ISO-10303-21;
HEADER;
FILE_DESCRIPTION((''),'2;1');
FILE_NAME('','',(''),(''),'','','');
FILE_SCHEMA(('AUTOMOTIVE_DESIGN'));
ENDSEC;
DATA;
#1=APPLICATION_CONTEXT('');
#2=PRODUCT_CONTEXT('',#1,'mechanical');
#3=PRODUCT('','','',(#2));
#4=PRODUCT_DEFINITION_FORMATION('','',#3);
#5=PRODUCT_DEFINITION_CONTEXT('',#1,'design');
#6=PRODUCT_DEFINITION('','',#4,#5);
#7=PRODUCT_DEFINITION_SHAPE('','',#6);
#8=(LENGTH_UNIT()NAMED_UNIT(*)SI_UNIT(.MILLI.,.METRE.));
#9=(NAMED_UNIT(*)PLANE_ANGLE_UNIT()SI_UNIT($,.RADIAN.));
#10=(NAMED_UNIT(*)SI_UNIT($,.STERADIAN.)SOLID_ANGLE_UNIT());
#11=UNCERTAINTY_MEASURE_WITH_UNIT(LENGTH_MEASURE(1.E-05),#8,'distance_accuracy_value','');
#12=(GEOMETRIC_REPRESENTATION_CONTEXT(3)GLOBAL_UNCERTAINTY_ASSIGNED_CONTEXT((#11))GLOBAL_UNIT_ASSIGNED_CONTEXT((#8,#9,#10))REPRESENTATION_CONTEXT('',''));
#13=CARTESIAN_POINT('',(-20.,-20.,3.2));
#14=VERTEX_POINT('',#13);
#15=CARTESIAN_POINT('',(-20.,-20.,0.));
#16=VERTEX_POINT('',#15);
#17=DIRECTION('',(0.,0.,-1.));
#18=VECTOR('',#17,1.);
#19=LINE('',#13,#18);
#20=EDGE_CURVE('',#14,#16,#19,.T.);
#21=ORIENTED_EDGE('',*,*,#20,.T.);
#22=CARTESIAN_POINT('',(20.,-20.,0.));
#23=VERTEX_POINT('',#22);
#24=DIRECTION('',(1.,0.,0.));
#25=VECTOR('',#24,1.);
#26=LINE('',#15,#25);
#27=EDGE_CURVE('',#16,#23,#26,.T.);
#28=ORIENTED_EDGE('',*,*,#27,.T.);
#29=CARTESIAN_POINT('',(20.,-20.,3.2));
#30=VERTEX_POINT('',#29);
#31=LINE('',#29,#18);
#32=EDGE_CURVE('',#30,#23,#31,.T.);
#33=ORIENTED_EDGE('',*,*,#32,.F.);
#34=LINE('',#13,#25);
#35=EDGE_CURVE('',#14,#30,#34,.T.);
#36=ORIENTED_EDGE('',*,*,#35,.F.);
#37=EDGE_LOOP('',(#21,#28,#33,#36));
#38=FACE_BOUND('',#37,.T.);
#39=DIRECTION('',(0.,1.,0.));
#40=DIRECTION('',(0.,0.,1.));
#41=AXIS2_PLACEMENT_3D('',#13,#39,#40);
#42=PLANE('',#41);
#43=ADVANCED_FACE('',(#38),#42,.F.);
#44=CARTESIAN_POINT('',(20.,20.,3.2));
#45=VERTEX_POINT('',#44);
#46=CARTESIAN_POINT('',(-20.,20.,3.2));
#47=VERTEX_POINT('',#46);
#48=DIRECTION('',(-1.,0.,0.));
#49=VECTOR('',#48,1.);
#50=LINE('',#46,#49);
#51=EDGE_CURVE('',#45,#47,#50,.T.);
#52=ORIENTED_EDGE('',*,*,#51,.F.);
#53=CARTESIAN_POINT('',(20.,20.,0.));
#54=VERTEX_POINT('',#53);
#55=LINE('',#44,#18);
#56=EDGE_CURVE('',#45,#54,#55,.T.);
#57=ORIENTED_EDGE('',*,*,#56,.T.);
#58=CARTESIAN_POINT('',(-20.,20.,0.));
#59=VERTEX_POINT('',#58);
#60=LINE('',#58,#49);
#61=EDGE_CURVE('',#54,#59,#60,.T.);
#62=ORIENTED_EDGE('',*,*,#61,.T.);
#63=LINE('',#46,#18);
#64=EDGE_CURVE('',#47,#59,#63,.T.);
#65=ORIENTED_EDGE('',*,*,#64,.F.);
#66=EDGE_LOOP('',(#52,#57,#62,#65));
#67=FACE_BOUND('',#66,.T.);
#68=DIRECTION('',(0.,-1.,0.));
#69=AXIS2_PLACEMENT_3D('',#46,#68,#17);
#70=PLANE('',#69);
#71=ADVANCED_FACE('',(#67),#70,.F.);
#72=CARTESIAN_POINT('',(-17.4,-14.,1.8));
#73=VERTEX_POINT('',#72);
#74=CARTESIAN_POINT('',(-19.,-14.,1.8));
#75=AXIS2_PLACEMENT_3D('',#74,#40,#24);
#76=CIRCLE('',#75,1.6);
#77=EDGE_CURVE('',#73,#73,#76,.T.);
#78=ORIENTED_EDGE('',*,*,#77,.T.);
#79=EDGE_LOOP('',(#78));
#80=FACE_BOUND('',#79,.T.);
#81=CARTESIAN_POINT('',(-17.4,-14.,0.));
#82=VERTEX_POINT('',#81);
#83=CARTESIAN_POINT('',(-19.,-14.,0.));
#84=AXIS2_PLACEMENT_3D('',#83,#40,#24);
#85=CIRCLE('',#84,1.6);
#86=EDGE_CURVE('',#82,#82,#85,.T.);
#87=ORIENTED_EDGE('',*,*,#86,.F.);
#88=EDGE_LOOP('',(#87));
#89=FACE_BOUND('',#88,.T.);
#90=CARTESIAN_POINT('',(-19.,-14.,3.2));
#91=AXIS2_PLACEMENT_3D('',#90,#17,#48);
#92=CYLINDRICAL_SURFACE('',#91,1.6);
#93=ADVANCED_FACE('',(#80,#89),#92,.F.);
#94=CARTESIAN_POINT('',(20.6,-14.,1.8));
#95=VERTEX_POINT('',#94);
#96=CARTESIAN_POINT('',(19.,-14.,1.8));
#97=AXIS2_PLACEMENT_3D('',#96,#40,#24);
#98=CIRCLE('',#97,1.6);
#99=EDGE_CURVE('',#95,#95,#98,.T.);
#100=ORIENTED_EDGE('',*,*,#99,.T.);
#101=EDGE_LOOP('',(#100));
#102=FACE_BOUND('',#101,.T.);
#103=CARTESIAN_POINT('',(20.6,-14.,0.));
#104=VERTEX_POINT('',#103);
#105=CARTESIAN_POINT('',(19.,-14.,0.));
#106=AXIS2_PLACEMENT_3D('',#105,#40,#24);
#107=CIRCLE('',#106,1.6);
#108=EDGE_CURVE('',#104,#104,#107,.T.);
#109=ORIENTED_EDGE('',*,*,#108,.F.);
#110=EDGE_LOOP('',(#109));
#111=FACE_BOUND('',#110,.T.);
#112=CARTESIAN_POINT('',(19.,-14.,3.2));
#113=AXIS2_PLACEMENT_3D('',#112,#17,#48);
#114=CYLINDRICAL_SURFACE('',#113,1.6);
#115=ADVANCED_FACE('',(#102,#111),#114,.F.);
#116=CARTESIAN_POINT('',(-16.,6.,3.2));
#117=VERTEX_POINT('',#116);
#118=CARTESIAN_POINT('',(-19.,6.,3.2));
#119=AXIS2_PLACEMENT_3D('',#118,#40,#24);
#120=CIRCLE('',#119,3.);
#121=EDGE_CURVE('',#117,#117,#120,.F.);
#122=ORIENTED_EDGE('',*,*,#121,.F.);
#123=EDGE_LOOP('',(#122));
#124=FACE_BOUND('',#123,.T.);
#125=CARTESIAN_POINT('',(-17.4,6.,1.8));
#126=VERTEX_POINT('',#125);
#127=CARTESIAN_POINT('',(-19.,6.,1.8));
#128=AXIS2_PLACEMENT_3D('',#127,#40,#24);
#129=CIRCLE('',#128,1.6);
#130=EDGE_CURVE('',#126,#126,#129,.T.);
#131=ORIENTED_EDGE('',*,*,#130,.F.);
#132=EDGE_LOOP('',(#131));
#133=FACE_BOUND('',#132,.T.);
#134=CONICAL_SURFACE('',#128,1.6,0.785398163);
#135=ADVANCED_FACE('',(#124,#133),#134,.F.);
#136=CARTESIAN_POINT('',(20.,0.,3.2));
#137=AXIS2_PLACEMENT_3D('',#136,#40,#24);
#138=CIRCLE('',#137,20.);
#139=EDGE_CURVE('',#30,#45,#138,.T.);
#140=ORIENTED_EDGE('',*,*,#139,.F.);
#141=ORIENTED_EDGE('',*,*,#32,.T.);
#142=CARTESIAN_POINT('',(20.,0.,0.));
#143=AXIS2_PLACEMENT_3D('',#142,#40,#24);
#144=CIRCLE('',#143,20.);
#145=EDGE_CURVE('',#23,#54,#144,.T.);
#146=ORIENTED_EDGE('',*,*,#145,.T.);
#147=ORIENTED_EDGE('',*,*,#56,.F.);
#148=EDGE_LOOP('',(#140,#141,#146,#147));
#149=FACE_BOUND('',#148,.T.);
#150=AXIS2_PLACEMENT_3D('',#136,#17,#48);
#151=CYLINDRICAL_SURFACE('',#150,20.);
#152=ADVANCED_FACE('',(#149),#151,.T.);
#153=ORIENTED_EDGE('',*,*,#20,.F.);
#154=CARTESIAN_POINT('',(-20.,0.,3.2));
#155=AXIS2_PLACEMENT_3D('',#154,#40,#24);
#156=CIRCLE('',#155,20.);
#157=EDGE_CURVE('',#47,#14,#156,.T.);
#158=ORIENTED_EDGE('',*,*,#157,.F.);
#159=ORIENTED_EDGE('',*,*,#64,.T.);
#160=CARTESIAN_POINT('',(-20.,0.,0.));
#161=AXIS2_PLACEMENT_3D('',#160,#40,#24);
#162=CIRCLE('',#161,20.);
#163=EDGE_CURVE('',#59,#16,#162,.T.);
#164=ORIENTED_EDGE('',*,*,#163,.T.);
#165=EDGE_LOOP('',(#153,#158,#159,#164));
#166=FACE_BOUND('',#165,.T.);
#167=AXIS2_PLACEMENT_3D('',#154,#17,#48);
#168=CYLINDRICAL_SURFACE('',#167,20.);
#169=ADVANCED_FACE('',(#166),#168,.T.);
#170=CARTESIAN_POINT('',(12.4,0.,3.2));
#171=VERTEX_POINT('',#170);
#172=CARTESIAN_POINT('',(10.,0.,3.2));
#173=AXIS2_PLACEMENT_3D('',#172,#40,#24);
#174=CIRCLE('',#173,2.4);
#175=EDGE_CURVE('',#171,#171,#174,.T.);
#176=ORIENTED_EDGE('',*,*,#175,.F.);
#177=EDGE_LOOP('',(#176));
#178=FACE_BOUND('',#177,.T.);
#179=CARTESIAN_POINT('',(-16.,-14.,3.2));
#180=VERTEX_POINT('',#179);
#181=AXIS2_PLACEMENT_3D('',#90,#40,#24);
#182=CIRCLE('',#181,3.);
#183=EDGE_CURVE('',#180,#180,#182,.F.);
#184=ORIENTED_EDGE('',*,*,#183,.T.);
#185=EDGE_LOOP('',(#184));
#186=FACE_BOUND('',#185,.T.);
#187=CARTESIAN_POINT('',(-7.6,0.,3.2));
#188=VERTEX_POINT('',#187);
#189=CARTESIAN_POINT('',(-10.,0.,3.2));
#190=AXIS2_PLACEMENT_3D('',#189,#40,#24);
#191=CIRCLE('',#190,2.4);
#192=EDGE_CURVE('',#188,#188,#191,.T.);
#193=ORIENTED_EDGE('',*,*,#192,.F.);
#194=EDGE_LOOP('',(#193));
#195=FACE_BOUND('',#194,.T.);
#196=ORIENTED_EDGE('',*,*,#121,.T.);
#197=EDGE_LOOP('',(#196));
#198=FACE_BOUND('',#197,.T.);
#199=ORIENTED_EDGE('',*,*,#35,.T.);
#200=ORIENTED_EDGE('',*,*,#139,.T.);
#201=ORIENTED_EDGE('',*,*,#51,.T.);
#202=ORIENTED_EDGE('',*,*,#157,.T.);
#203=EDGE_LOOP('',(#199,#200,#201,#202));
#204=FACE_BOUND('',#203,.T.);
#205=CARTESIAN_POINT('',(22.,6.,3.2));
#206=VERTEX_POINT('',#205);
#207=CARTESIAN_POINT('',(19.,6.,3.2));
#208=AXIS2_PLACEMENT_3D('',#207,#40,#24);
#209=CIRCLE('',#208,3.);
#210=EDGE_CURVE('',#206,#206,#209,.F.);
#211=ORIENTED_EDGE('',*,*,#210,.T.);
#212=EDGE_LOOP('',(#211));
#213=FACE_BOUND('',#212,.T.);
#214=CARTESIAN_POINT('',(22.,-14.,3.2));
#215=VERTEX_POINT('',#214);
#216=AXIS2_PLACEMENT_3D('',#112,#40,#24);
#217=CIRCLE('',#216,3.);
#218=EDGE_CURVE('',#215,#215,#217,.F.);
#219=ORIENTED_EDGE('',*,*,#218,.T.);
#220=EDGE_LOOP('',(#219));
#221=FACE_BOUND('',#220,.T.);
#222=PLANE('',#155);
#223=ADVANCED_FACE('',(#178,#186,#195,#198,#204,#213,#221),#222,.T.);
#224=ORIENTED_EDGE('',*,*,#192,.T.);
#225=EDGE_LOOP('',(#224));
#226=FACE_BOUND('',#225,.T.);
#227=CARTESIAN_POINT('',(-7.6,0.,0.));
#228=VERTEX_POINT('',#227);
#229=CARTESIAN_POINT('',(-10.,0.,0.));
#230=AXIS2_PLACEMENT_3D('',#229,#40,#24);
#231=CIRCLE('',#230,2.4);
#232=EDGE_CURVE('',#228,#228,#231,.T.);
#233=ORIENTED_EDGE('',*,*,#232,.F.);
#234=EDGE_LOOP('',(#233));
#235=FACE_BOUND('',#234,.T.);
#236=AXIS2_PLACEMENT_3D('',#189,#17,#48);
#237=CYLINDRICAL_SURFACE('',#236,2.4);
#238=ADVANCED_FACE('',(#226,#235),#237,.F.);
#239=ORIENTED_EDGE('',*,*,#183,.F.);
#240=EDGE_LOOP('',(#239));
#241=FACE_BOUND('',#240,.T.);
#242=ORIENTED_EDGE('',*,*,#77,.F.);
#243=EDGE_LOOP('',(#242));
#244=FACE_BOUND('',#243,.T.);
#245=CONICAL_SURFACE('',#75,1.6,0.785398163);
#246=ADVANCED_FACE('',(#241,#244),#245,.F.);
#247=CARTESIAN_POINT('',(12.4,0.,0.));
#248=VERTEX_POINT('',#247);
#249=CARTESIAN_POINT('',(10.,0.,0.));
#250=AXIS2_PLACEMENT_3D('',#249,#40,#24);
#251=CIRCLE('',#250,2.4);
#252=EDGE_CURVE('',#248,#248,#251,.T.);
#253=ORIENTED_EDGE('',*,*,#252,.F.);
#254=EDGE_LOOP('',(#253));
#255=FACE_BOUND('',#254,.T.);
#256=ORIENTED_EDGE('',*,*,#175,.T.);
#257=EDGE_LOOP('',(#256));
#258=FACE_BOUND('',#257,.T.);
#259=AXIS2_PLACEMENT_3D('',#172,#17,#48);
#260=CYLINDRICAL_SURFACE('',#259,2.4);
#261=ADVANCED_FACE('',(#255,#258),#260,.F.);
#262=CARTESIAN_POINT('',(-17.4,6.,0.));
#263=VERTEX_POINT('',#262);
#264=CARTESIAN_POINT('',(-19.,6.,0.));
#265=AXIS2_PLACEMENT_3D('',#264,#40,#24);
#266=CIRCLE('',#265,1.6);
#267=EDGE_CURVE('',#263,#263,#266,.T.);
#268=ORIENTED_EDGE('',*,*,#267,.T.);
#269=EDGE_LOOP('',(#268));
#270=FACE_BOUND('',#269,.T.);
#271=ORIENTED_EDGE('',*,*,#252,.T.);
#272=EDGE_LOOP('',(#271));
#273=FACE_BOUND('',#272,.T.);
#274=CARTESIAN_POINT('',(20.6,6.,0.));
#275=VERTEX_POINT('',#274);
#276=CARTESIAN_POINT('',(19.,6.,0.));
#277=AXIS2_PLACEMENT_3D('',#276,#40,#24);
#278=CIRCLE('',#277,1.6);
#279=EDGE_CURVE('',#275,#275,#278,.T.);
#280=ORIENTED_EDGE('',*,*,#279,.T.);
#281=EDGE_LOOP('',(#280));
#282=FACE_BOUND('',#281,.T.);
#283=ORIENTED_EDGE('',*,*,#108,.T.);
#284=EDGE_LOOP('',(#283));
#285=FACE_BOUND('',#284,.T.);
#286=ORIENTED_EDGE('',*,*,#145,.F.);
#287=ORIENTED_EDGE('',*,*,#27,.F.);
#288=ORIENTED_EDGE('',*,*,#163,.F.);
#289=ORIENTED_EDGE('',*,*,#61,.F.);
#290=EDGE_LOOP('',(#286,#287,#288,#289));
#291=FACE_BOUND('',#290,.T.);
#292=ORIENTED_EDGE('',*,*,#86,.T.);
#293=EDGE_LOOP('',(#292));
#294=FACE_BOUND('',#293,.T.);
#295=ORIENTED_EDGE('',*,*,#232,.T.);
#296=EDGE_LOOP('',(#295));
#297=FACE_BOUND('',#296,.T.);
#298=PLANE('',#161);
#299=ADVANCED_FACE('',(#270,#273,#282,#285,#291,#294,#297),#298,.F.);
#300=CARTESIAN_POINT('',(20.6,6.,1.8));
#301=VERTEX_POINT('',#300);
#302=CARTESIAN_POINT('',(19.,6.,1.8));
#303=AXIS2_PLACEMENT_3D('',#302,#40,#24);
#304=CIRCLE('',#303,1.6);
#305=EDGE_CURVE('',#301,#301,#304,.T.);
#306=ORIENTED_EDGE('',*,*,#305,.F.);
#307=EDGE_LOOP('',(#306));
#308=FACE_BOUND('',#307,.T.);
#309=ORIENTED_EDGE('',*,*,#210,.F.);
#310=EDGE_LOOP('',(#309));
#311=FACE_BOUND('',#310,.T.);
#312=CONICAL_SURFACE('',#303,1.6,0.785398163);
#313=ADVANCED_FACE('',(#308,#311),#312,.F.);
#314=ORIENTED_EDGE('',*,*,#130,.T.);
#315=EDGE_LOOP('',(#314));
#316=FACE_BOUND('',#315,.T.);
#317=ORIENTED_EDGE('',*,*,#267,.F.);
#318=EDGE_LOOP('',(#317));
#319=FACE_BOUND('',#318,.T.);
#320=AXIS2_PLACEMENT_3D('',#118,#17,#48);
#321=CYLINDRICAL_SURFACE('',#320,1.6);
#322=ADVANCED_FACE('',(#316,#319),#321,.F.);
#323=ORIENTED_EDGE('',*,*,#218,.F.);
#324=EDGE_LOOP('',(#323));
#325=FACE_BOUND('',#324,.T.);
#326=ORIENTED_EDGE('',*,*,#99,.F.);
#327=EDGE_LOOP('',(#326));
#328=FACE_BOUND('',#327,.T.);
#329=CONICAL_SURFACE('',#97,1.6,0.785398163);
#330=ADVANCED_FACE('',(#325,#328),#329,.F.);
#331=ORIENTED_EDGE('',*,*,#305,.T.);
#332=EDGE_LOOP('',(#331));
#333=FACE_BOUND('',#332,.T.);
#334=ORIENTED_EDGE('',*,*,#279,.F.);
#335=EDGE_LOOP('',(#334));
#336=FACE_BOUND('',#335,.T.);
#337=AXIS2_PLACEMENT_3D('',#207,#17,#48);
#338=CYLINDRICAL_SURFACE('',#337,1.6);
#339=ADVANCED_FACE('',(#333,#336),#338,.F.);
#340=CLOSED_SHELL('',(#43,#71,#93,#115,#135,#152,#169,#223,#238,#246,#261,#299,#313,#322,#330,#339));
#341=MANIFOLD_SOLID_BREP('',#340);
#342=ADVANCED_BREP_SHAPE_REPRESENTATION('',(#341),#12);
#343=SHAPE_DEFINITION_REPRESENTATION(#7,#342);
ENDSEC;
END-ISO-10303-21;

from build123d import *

# Parameters (mm, degrees)
SKETCH_1_R      = 1.6
SKETCH_1_R_2    = 2.4
EXTRUDE_1_DEPTH = 3.2
CHAMFER_1_SIZE  = 1.4


with BuildPart() as part:
    # 草图1 → 凸台-拉伸1 (new body)
    with BuildSketch(Plane.XY):
        with BuildLine():
            Line((-20, 20), (20, 20))
            ThreePointArc((20, 20), (40, 0), (20, -20))
            Line((20, -20), (-20, -20))
            ThreePointArc((-20, -20), (-40, 0), (-20, 20))
        make_face()
        with Locations((-19, -14)):
            Circle(SKETCH_1_R, mode=Mode.SUBTRACT)
        with Locations((19, -14)):
            Circle(SKETCH_1_R, mode=Mode.SUBTRACT)
        with Locations((19, 6)):
            Circle(SKETCH_1_R, mode=Mode.SUBTRACT)
        with Locations((-19, 6)):
            Circle(SKETCH_1_R, mode=Mode.SUBTRACT)
        with Locations((-10, 0)):
            Circle(SKETCH_1_R_2, mode=Mode.SUBTRACT)
        with Locations((10, 0)):
            Circle(SKETCH_1_R_2, mode=Mode.SUBTRACT)
    extrude(amount=EXTRUDE_1_DEPTH)

    # 倒角1
    chamfer_1_edges = [part.edges().sort_by_distance(p)[0] for p in [
        (-20.6, -14, 3.2),
        (17.4, -14, 3.2),
        (17.4, 6, 3.2),
        (-20.6, 6, 3.2),
    ]]
    chamfer(chamfer_1_edges, length=CHAMFER_1_SIZE)


solid = part.part
